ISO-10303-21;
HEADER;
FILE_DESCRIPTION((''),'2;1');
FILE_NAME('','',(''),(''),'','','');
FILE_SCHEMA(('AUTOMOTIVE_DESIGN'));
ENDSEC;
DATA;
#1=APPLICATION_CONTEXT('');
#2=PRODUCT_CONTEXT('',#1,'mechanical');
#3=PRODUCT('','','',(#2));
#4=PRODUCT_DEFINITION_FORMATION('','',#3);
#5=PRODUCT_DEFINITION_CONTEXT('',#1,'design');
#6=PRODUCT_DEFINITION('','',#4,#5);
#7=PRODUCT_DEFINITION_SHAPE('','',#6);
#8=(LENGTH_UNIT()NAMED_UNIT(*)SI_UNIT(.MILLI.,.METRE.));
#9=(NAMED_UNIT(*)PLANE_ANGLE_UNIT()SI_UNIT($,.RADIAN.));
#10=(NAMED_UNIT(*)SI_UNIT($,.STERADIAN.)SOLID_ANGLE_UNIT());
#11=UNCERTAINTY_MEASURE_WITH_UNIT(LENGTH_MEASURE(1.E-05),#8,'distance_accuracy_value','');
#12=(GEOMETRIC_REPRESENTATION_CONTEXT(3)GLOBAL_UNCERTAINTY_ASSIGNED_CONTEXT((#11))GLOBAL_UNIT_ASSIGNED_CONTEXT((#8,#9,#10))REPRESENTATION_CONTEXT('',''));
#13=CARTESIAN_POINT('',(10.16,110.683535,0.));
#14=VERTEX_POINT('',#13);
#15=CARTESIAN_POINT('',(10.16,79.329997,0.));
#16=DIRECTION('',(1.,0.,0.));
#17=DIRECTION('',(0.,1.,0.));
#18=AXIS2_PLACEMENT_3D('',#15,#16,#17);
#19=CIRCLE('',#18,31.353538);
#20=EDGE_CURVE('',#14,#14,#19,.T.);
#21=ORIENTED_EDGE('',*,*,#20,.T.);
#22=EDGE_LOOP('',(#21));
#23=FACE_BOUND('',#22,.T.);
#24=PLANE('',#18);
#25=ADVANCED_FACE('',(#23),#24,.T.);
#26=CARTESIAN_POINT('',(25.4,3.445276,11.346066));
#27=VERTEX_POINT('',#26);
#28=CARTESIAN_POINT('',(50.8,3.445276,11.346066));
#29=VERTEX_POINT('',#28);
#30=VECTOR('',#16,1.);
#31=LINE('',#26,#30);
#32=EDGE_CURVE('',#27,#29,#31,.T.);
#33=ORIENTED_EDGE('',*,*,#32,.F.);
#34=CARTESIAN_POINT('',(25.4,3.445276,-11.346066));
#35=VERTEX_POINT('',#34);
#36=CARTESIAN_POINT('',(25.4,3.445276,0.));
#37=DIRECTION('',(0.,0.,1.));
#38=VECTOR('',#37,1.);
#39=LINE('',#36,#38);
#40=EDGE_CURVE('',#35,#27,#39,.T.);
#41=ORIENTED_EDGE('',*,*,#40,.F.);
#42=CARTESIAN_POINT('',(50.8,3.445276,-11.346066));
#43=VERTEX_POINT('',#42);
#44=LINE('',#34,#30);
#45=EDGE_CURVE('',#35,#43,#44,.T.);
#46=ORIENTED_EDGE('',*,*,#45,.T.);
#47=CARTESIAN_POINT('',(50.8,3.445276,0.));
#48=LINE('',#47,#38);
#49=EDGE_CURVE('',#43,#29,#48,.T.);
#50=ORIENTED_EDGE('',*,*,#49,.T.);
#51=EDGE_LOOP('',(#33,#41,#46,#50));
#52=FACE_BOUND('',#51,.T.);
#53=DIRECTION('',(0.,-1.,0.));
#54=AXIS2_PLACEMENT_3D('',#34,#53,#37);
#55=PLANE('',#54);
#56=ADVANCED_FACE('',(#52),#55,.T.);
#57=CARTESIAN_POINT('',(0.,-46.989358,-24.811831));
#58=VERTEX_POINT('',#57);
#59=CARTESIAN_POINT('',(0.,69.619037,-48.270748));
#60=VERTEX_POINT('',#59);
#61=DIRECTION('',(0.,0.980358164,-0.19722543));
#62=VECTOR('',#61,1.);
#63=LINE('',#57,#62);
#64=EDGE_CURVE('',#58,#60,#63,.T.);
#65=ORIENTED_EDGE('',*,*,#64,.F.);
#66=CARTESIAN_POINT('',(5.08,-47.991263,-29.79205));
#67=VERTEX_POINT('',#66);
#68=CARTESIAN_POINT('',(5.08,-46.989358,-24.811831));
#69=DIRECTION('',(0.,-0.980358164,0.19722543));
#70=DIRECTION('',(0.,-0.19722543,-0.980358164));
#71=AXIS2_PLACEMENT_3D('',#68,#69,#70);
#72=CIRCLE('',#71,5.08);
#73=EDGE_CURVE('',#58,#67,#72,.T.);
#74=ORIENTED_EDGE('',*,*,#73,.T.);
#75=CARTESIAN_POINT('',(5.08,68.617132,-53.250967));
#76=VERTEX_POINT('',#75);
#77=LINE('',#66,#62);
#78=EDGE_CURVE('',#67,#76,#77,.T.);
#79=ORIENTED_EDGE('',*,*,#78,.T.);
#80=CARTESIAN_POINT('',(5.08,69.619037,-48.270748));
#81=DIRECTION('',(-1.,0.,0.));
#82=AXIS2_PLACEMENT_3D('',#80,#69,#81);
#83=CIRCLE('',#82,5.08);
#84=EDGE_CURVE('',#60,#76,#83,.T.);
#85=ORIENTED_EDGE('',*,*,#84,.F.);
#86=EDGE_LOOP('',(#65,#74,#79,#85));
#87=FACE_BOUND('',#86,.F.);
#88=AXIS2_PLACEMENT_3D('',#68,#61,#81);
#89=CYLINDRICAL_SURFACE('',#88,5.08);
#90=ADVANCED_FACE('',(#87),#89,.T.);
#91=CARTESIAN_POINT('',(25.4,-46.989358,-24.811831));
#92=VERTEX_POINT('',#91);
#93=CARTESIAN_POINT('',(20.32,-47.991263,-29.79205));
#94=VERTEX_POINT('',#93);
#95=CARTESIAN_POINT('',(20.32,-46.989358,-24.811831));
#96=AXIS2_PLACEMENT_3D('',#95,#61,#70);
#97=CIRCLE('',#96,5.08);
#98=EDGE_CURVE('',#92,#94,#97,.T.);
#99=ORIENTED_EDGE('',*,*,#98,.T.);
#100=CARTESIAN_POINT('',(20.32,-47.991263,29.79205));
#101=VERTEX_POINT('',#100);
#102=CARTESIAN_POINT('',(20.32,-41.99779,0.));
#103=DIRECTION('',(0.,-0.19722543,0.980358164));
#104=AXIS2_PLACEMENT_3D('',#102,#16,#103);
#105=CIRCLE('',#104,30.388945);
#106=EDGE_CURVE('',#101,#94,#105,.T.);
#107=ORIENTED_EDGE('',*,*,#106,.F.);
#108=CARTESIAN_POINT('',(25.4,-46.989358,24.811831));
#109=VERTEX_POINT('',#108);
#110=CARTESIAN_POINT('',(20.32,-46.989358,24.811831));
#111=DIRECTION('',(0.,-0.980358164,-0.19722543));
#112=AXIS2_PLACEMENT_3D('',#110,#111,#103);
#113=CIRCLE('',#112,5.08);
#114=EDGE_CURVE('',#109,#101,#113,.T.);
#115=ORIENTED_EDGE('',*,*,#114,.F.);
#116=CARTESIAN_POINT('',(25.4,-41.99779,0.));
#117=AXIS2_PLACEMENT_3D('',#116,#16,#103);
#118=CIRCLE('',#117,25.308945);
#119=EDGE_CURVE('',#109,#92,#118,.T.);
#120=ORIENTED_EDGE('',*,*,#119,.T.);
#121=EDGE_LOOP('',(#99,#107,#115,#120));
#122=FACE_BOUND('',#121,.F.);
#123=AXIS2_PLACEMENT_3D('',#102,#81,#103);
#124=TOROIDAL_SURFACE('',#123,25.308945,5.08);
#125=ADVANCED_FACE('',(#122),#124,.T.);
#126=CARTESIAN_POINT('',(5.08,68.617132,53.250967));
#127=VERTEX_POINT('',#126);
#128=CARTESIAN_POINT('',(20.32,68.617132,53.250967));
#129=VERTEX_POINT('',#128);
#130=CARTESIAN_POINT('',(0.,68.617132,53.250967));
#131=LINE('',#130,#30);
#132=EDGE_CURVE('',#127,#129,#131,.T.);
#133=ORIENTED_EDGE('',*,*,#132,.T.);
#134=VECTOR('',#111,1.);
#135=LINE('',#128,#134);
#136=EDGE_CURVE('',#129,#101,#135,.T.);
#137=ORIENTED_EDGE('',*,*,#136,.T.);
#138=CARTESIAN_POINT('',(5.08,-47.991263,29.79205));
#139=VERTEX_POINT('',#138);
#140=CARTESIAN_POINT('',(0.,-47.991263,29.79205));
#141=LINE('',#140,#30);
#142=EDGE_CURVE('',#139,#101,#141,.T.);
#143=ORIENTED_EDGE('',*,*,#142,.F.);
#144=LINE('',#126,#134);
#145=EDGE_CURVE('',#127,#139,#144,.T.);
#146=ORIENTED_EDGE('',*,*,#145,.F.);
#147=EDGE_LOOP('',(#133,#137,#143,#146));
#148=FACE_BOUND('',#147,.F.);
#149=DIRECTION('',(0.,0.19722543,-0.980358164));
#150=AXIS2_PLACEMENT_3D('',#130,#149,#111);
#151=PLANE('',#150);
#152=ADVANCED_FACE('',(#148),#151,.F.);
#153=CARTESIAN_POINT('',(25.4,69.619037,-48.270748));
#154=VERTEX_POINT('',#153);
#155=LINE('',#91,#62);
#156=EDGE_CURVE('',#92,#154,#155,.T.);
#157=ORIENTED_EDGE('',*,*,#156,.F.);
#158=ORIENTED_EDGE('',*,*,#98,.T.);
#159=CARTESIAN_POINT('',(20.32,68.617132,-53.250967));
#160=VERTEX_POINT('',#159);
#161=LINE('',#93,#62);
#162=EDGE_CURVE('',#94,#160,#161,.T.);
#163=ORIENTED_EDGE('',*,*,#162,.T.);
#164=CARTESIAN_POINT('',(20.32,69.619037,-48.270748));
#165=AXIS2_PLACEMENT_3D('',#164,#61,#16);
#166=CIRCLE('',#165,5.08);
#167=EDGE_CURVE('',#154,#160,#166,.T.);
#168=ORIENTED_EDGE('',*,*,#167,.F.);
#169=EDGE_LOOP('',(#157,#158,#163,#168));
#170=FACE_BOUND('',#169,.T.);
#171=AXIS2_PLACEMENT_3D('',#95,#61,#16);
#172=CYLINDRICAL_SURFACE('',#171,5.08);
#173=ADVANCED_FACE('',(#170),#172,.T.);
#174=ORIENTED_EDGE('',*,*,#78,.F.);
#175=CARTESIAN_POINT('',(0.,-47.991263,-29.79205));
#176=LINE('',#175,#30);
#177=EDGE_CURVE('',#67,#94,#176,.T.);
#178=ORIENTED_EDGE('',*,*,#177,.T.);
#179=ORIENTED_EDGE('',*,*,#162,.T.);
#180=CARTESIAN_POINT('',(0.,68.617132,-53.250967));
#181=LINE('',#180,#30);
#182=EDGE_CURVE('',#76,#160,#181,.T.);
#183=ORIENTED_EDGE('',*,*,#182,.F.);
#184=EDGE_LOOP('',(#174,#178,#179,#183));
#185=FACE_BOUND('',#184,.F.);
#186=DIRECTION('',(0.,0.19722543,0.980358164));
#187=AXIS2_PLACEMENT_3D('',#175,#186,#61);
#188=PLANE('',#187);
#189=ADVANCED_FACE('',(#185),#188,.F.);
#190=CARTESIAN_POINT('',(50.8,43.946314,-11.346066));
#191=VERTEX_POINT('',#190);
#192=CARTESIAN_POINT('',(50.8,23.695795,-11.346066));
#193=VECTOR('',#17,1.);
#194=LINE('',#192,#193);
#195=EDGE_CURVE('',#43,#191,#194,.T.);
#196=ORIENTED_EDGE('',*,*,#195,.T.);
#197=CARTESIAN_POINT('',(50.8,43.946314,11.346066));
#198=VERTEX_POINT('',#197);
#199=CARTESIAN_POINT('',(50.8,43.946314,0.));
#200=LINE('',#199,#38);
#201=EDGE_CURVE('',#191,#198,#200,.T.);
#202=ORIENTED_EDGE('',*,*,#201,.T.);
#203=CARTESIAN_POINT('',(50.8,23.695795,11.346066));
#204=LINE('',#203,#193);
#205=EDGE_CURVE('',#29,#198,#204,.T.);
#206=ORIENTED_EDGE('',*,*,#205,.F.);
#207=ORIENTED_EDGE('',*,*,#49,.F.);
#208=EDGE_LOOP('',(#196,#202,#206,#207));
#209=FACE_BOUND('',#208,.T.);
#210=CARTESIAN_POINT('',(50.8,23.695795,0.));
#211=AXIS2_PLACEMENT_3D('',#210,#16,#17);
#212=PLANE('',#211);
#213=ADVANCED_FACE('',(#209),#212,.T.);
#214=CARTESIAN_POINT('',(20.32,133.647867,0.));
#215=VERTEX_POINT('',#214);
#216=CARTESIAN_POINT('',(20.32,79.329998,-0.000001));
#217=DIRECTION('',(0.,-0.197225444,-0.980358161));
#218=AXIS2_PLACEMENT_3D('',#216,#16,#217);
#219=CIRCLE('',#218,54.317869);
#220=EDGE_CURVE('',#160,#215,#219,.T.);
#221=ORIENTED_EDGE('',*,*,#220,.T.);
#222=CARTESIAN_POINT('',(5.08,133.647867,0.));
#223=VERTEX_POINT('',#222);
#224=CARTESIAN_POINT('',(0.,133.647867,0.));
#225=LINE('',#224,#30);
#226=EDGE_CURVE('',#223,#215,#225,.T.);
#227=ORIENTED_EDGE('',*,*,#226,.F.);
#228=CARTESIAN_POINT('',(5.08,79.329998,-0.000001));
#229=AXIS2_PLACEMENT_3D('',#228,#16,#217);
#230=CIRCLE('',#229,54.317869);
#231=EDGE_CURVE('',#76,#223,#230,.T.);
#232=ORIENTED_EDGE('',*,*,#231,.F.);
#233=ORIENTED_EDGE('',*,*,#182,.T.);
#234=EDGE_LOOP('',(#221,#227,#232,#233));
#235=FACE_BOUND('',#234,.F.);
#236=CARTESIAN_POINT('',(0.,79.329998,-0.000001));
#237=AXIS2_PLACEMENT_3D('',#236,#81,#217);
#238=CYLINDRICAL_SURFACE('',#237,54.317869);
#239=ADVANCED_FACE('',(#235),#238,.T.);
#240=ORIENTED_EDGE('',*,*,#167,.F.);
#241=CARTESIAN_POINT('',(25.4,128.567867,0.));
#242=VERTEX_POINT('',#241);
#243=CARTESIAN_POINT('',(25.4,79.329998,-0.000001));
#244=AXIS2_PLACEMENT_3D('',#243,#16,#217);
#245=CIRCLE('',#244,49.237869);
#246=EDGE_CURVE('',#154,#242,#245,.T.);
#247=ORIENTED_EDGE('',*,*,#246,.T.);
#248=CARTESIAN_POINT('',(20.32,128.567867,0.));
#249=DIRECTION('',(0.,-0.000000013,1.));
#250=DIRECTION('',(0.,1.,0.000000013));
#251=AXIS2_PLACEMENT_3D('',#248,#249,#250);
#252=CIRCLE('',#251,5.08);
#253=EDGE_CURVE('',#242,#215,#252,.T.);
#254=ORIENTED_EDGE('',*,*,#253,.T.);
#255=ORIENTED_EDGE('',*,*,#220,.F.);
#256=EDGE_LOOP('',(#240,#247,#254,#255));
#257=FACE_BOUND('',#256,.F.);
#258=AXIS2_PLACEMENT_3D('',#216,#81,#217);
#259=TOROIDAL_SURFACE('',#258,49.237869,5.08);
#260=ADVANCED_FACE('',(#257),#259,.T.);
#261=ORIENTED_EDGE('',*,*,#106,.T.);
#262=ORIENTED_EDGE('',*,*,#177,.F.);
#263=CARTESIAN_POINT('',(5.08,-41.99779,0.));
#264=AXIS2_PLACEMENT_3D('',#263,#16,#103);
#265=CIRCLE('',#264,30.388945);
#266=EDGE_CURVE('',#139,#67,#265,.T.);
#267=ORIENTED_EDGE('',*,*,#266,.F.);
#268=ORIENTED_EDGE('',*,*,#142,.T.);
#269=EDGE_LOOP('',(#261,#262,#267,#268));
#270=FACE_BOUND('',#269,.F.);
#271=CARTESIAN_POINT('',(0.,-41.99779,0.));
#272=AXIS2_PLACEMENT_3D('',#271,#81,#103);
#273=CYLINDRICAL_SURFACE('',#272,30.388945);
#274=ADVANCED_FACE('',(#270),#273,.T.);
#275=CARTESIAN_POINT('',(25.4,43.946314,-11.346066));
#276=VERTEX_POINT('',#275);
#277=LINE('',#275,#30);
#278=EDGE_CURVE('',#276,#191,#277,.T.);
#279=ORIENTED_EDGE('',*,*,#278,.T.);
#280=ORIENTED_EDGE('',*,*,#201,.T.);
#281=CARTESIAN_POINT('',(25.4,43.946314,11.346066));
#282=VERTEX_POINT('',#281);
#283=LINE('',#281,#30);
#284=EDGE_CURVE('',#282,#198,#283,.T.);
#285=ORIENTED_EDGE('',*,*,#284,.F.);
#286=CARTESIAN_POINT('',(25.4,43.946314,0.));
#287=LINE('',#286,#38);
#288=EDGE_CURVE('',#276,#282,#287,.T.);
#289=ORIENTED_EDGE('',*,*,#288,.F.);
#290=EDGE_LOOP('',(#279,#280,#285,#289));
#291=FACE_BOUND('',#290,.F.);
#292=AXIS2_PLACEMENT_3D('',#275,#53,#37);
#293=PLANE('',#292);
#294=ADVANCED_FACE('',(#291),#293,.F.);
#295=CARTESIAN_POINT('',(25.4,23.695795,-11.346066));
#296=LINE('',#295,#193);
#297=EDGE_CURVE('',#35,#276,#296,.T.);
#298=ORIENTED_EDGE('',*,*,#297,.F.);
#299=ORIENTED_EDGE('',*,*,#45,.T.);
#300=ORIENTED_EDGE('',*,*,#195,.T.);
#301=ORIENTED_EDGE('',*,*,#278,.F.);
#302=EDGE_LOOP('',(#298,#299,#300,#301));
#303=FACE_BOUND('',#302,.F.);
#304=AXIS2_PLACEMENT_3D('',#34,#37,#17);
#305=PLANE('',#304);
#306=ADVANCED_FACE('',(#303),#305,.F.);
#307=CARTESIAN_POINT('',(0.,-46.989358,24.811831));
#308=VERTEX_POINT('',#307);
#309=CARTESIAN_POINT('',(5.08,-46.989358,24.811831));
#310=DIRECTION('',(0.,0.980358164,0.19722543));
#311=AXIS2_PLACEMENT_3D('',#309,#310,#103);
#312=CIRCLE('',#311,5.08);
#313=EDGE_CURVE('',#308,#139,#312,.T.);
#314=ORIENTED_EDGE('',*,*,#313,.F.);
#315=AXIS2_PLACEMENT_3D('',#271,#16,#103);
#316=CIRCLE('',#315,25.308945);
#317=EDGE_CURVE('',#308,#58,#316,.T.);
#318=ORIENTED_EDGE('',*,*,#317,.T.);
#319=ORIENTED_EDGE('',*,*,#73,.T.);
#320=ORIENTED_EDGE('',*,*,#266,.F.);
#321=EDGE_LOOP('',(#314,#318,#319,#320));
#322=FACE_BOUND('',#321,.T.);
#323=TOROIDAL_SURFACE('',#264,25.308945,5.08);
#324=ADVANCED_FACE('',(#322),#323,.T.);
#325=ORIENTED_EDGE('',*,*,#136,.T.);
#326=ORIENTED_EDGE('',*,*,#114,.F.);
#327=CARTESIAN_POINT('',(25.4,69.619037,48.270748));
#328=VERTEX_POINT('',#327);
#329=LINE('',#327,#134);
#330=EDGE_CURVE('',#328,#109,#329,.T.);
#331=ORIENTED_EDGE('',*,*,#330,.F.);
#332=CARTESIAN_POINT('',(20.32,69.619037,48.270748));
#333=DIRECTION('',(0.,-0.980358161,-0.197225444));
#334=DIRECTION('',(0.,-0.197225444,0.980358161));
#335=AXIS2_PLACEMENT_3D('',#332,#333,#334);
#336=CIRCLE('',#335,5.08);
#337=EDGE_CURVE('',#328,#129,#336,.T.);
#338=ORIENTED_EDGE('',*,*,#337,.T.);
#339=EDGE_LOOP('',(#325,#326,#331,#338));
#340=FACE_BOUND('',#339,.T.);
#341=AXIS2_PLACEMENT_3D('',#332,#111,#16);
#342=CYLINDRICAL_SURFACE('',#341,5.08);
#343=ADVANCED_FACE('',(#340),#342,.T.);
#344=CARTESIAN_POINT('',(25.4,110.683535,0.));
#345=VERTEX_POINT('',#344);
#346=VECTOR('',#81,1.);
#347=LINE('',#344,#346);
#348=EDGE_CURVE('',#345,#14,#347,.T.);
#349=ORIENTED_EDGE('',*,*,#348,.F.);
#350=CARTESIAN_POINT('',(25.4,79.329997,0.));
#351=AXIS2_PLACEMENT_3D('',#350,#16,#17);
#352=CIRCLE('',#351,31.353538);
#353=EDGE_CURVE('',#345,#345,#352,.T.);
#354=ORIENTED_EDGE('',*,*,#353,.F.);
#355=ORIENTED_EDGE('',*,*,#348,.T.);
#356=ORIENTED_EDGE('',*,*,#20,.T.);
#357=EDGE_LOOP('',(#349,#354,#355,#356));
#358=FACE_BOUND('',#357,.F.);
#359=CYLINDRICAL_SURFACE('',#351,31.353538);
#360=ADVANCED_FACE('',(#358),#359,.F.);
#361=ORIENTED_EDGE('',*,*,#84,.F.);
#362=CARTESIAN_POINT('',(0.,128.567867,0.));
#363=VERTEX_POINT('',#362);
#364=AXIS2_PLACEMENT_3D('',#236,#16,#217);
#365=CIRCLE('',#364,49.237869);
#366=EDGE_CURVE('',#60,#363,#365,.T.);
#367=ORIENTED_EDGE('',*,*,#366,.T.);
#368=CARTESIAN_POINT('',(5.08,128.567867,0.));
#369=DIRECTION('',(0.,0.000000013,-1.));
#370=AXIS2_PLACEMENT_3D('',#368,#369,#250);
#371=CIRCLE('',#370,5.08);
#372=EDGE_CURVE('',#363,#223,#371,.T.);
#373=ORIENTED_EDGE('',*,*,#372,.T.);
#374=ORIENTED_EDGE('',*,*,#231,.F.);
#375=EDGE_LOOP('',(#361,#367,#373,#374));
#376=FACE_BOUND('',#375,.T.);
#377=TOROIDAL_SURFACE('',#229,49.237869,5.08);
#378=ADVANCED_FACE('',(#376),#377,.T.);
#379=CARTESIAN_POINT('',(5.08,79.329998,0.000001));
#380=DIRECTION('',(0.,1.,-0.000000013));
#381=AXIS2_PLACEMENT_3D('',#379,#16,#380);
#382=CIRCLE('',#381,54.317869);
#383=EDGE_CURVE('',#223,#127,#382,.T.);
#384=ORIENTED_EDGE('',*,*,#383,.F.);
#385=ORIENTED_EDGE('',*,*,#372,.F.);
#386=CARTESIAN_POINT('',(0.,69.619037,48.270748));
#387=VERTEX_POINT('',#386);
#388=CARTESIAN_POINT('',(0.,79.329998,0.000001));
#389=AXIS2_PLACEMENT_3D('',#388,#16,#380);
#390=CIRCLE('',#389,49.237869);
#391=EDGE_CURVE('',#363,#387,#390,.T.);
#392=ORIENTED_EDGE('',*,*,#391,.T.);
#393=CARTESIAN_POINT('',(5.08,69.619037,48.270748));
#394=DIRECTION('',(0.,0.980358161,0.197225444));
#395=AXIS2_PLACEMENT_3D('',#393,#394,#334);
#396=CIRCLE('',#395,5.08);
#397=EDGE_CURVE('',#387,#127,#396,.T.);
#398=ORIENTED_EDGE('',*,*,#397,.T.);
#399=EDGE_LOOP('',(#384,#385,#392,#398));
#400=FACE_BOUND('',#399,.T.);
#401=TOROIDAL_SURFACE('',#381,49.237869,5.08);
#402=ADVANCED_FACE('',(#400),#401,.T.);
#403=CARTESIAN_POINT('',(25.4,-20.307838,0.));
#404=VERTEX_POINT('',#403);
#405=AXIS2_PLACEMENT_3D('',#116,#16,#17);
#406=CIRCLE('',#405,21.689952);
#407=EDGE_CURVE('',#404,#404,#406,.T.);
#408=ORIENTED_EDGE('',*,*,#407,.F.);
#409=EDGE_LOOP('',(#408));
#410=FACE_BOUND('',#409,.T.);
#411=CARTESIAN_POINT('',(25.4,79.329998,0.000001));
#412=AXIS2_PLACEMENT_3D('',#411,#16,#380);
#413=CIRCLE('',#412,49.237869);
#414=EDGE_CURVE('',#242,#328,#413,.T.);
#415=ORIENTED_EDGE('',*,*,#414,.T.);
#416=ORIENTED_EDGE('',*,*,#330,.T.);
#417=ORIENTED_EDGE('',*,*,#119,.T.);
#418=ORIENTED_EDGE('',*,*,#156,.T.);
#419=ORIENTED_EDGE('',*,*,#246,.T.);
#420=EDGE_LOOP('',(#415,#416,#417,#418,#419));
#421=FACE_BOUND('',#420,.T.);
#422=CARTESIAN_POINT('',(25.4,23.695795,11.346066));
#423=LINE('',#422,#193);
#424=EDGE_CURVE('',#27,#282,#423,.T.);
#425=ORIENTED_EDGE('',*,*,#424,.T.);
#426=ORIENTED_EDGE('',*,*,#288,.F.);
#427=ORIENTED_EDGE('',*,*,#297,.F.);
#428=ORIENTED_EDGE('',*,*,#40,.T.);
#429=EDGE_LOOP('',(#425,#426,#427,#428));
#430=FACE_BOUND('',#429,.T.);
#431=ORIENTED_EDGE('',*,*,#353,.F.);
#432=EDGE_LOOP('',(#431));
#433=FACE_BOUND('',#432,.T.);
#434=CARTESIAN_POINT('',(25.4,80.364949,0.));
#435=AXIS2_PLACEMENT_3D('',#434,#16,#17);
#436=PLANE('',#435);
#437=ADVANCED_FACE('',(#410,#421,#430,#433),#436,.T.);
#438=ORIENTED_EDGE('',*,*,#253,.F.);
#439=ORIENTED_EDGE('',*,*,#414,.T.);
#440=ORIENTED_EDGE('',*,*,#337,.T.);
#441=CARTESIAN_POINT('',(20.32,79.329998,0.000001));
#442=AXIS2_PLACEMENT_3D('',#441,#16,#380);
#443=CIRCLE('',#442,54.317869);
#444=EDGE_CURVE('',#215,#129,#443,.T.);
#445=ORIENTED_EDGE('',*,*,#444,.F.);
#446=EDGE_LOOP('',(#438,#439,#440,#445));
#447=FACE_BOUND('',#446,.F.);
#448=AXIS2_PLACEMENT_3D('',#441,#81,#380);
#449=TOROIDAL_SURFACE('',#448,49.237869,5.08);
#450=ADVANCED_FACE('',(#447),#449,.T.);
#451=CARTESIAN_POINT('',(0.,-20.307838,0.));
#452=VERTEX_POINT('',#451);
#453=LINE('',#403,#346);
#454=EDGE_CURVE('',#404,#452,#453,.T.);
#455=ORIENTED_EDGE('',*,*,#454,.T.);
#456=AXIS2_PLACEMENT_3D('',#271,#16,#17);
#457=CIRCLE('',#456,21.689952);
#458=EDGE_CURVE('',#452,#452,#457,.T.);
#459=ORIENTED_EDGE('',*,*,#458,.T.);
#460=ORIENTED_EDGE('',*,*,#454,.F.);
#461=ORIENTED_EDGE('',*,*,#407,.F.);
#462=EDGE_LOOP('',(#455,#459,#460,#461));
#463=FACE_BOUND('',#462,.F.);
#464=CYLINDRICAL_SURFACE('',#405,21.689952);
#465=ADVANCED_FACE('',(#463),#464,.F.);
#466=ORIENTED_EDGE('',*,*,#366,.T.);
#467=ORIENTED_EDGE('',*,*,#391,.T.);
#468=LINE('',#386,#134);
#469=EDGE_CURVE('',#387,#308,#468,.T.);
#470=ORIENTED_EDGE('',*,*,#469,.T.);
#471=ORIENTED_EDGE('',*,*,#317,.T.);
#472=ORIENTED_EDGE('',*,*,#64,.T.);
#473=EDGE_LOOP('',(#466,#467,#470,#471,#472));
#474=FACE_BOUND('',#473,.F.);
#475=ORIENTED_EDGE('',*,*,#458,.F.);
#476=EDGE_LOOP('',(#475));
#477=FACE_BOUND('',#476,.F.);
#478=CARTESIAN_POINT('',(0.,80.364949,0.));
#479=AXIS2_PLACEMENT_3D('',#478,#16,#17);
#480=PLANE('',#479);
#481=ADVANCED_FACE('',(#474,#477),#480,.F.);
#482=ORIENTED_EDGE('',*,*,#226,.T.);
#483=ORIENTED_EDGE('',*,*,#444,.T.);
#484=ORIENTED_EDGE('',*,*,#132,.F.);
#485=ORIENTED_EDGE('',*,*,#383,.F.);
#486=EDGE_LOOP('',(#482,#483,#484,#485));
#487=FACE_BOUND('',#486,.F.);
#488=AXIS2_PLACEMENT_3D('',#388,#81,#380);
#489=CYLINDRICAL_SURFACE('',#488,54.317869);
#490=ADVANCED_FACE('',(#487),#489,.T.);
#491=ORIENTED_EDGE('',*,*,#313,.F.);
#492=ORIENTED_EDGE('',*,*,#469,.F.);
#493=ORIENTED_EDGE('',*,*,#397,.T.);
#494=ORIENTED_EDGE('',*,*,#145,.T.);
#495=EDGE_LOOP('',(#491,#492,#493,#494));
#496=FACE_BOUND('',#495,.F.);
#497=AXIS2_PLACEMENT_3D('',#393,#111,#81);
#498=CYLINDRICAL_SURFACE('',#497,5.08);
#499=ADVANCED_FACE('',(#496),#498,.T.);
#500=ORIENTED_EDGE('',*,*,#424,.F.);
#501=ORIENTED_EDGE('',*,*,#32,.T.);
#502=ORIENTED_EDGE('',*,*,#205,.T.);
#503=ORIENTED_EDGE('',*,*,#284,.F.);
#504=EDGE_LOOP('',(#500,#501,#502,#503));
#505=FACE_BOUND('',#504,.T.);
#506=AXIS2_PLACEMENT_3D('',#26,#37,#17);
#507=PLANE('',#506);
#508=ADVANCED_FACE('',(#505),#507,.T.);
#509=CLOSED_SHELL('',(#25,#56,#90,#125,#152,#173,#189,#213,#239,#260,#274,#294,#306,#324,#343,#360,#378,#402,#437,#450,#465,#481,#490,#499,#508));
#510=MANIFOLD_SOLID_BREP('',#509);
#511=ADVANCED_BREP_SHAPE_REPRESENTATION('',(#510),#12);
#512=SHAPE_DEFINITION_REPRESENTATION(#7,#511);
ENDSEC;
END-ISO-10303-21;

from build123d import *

# Parameters (mm, degrees)
F1_DEPTH = 25.4
F3_W     = 40.501038
F3_H     = 22.692132
F4_DEPTH = 25.4
F2_R     = 31.353538
F5_DEPTH = 15.24
F6_R     = 21.689952
F7_DEPTH = 25.4
F8_R     = 5.08


with BuildPart() as f1:
    # F0 (on Right) → F1 (new body)
    with BuildSketch(Plane.YZ):
        with BuildLine():
            ThreePointArc((133.647867, 0), (113.743156, 42.025772), (68.617132, 53.250967))
            ThreePointArc((68.617132, 53.250967), (25.012127, 0), (68.617132, -53.250967))
            ThreePointArc((68.617132, -53.250967), (113.743156, -42.025772), (133.647867, 0))
        make_face()
        with BuildLine():
            ThreePointArc((-47.991263, -29.79205), (-22.744834, -23.511947), (-11.608846, 0))
            ThreePointArc((-11.608846, 0), (-22.744834, 23.511947), (-47.991263, 29.79205))
            ThreePointArc((-47.991263, 29.79205), (-72.386735, 0), (-47.991263, -29.79205))
        make_face()
        with BuildLine():
            ThreePointArc((-47.991263, 29.79205), (-22.744834, 23.511947), (-11.608846, 0))
            ThreePointArc((-11.608846, 0), (-22.744834, -23.511947), (-47.991263, -29.79205))
            Line((-47.991263, -29.79205), (68.617132, -53.250967))
            ThreePointArc((68.617132, -53.250967), (25.012127, 0), (68.617132, 53.250967))
            Line((68.617132, 53.250967), (-47.991263, 29.79205))
        make_face()
    extrude(amount=F1_DEPTH)

    # F3 (on face) → F4 (join)
    with BuildSketch(Plane.YZ.offset(25.4)):
        with Locations((23.695795, 0)):
            Rectangle(F3_W, F3_H)
    extrude(amount=F4_DEPTH)

    # F2 (on face) → F5 (cut)
    with BuildSketch(Plane.YZ.offset(25.4)):
        with Locations((79.329997, 0)):
            Circle(F2_R)
    extrude(amount=-F5_DEPTH, mode=Mode.SUBTRACT)

    # F6 (on face) → F7 (cut)
    with BuildSketch(Plane.YZ.offset(25.4)):
        with Locations((-41.99779, 0)):
            Circle(F6_R)
    extrude(amount=-F7_DEPTH, mode=Mode.SUBTRACT)

    # F8
    f8_edges = [f1.edges().sort_by_distance(p)[0] for p in [
        (0, -72.386735, 0),
        (12.7, -47.991263, -29.79205),
        (25.4, -72.386735, 0),
        (12.7, -47.991263, 29.79205),
    ]]
    fillet(f8_edges, radius=F8_R)


solid = f1.part
